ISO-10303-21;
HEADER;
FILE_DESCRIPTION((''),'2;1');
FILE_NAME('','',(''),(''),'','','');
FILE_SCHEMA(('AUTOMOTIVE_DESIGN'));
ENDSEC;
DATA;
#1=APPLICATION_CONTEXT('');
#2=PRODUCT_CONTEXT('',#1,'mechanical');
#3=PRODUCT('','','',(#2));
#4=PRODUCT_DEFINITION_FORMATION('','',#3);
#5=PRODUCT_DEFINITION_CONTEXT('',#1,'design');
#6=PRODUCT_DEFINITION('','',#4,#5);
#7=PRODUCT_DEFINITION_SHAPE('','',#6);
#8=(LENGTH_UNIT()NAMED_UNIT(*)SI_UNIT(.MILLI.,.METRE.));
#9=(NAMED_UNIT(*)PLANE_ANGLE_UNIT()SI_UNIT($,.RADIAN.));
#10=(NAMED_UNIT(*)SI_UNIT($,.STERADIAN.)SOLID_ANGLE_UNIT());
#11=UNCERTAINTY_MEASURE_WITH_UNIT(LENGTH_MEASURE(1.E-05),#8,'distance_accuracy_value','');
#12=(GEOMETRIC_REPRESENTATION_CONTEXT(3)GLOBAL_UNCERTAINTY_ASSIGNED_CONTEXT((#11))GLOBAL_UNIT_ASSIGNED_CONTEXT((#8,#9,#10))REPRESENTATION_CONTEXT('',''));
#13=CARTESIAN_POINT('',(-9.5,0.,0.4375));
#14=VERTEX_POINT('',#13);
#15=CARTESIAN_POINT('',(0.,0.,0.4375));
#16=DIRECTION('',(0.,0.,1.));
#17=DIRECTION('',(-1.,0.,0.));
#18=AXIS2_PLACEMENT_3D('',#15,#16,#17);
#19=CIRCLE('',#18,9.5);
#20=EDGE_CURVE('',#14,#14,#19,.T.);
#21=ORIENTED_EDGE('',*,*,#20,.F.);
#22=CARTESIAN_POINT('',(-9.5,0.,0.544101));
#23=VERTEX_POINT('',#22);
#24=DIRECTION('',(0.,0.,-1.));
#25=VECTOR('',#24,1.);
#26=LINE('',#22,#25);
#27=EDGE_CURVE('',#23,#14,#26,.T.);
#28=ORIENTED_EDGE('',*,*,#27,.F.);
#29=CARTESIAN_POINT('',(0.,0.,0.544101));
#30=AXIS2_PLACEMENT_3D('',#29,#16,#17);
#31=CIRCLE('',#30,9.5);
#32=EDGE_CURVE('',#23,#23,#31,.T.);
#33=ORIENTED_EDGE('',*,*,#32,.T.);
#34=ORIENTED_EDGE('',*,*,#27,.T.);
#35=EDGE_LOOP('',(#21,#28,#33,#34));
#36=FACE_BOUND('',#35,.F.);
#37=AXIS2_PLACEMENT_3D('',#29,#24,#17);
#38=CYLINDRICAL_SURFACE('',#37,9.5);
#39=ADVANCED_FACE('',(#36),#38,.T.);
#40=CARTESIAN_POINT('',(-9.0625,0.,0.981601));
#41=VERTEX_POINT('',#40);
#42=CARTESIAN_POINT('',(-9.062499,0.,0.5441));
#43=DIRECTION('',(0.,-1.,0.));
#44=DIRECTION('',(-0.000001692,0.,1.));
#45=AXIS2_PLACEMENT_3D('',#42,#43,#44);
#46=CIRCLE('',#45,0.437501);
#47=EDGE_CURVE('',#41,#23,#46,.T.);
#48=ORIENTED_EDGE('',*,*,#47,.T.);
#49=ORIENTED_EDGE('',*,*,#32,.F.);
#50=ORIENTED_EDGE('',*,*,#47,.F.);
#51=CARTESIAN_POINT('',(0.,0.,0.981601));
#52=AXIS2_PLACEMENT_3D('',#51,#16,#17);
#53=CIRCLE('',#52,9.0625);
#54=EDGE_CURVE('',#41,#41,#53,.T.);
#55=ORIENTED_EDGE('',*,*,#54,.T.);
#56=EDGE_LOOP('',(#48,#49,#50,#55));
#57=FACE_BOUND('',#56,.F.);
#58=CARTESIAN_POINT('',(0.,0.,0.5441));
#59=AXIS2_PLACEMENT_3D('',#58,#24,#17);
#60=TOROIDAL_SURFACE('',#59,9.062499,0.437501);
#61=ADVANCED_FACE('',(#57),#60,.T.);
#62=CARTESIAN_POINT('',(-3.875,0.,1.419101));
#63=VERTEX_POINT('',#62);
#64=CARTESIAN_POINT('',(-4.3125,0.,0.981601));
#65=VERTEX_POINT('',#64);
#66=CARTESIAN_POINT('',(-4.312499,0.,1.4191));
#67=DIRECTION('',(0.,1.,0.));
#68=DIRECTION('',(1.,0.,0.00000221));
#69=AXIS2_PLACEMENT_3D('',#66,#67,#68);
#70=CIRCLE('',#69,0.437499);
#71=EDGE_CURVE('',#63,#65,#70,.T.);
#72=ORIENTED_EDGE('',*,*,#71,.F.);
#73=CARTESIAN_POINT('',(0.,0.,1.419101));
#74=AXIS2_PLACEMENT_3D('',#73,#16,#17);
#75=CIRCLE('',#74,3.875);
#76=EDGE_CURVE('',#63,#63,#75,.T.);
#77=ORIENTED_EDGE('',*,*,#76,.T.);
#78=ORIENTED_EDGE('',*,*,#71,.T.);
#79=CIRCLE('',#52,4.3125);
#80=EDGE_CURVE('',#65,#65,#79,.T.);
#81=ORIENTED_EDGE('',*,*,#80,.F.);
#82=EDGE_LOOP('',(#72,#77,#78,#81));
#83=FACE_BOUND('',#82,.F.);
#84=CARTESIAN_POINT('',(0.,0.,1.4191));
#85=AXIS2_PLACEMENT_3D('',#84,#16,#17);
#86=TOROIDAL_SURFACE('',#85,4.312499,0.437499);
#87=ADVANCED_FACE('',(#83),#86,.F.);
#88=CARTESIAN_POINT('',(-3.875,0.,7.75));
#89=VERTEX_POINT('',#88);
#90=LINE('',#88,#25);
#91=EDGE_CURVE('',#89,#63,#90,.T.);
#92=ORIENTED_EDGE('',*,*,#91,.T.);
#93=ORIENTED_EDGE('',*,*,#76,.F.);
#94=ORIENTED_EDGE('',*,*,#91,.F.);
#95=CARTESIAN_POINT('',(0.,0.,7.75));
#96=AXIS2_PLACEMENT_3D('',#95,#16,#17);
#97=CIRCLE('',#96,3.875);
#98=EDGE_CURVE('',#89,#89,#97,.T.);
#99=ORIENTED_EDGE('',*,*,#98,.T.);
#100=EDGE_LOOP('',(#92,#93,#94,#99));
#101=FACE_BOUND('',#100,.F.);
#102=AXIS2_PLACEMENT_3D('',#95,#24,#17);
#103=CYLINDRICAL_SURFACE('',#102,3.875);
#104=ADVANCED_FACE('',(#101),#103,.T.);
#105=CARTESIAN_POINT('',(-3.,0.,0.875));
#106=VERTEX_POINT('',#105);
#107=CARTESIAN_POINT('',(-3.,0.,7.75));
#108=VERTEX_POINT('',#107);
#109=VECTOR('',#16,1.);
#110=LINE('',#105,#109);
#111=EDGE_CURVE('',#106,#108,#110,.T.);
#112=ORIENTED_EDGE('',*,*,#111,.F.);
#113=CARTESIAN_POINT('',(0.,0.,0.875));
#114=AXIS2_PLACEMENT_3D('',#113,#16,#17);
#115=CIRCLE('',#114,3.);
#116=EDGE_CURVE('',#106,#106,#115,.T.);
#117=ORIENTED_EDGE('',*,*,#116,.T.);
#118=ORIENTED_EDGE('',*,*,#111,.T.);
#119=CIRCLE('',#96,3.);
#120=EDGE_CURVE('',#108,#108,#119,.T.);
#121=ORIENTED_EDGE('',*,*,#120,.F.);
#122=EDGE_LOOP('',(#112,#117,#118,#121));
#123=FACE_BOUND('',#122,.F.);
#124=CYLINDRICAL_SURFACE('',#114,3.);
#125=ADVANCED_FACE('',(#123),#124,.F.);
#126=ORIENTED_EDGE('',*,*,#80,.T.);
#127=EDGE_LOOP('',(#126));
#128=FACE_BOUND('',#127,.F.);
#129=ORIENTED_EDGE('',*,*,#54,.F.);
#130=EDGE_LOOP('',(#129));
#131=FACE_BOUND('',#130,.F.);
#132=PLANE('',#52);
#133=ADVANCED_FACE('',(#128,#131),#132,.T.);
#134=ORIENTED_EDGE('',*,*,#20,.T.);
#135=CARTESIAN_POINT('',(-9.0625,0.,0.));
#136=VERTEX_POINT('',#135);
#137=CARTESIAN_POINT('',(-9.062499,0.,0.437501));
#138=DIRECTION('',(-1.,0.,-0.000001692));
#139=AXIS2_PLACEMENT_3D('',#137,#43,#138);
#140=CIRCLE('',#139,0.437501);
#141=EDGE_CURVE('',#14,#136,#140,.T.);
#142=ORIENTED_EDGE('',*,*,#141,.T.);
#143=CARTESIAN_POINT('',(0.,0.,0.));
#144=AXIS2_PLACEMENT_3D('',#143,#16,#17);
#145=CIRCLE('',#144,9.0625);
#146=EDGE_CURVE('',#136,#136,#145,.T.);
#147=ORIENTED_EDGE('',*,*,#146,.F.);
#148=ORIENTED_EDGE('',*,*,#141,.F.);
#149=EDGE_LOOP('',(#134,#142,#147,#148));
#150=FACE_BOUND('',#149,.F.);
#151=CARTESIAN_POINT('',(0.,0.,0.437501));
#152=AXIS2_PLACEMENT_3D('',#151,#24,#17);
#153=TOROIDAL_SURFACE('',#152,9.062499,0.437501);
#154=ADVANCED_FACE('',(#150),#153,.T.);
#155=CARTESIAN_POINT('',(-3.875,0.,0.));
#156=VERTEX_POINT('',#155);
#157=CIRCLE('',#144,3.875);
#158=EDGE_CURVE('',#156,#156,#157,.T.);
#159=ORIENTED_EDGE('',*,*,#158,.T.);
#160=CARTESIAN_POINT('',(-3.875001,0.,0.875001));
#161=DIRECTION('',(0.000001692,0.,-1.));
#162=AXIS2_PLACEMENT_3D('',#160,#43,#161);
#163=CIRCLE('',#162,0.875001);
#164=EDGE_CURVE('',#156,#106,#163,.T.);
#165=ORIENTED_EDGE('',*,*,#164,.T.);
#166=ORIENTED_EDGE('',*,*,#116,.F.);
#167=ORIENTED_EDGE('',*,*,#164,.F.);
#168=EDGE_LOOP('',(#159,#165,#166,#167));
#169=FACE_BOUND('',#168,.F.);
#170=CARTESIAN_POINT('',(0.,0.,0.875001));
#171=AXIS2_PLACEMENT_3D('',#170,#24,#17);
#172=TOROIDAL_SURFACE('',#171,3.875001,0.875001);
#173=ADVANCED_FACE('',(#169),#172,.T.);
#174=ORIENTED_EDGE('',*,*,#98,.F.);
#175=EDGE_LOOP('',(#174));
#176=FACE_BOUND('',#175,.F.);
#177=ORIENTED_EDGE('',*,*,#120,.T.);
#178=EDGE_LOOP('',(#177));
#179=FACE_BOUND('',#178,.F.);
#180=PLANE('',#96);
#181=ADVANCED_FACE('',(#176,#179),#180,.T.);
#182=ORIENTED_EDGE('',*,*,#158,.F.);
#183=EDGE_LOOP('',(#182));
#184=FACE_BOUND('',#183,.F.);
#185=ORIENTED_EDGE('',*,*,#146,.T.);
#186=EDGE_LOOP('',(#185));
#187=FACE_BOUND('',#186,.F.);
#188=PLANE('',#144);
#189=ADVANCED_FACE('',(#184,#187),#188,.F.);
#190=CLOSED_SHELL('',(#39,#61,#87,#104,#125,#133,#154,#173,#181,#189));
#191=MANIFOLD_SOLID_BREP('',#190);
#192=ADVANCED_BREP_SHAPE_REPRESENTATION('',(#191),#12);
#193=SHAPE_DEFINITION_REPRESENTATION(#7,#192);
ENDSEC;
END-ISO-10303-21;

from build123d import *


with BuildPart() as f1:
    # F0 (on Front) → F1 (revolve)
    with BuildSketch(Plane.XZ):
        with BuildLine():
            Line((-9.0625, 0), (-3.875, 0))
            ThreePointArc((-3.875, 0), (-3.256282, 0.256282), (-3, 0.875))
            Line((-3, 0.875), (-3, 7.75))
            Line((-3, 7.75), (-3.875, 7.75))
            Line((-3.875, 7.75), (-3.875, 1.419101))
            ThreePointArc((-3.875, 1.419101), (-4.003141, 1.109741), (-4.3125, 0.981601))
            Line((-4.3125, 0.981601), (-9.0625, 0.981601))
            ThreePointArc((-9.0625, 0.981601), (-9.371859, 0.85346), (-9.5, 0.544101))
            Line((-9.5, 0.544101), (-9.5, 0.4375))
            ThreePointArc((-9.5, 0.4375), (-9.371859, 0.128141), (-9.0625, 0))
        make_face()
    revolve(axis=Axis((0, 0, 3.875), (0, 0, 1)))


solid = f1.part
